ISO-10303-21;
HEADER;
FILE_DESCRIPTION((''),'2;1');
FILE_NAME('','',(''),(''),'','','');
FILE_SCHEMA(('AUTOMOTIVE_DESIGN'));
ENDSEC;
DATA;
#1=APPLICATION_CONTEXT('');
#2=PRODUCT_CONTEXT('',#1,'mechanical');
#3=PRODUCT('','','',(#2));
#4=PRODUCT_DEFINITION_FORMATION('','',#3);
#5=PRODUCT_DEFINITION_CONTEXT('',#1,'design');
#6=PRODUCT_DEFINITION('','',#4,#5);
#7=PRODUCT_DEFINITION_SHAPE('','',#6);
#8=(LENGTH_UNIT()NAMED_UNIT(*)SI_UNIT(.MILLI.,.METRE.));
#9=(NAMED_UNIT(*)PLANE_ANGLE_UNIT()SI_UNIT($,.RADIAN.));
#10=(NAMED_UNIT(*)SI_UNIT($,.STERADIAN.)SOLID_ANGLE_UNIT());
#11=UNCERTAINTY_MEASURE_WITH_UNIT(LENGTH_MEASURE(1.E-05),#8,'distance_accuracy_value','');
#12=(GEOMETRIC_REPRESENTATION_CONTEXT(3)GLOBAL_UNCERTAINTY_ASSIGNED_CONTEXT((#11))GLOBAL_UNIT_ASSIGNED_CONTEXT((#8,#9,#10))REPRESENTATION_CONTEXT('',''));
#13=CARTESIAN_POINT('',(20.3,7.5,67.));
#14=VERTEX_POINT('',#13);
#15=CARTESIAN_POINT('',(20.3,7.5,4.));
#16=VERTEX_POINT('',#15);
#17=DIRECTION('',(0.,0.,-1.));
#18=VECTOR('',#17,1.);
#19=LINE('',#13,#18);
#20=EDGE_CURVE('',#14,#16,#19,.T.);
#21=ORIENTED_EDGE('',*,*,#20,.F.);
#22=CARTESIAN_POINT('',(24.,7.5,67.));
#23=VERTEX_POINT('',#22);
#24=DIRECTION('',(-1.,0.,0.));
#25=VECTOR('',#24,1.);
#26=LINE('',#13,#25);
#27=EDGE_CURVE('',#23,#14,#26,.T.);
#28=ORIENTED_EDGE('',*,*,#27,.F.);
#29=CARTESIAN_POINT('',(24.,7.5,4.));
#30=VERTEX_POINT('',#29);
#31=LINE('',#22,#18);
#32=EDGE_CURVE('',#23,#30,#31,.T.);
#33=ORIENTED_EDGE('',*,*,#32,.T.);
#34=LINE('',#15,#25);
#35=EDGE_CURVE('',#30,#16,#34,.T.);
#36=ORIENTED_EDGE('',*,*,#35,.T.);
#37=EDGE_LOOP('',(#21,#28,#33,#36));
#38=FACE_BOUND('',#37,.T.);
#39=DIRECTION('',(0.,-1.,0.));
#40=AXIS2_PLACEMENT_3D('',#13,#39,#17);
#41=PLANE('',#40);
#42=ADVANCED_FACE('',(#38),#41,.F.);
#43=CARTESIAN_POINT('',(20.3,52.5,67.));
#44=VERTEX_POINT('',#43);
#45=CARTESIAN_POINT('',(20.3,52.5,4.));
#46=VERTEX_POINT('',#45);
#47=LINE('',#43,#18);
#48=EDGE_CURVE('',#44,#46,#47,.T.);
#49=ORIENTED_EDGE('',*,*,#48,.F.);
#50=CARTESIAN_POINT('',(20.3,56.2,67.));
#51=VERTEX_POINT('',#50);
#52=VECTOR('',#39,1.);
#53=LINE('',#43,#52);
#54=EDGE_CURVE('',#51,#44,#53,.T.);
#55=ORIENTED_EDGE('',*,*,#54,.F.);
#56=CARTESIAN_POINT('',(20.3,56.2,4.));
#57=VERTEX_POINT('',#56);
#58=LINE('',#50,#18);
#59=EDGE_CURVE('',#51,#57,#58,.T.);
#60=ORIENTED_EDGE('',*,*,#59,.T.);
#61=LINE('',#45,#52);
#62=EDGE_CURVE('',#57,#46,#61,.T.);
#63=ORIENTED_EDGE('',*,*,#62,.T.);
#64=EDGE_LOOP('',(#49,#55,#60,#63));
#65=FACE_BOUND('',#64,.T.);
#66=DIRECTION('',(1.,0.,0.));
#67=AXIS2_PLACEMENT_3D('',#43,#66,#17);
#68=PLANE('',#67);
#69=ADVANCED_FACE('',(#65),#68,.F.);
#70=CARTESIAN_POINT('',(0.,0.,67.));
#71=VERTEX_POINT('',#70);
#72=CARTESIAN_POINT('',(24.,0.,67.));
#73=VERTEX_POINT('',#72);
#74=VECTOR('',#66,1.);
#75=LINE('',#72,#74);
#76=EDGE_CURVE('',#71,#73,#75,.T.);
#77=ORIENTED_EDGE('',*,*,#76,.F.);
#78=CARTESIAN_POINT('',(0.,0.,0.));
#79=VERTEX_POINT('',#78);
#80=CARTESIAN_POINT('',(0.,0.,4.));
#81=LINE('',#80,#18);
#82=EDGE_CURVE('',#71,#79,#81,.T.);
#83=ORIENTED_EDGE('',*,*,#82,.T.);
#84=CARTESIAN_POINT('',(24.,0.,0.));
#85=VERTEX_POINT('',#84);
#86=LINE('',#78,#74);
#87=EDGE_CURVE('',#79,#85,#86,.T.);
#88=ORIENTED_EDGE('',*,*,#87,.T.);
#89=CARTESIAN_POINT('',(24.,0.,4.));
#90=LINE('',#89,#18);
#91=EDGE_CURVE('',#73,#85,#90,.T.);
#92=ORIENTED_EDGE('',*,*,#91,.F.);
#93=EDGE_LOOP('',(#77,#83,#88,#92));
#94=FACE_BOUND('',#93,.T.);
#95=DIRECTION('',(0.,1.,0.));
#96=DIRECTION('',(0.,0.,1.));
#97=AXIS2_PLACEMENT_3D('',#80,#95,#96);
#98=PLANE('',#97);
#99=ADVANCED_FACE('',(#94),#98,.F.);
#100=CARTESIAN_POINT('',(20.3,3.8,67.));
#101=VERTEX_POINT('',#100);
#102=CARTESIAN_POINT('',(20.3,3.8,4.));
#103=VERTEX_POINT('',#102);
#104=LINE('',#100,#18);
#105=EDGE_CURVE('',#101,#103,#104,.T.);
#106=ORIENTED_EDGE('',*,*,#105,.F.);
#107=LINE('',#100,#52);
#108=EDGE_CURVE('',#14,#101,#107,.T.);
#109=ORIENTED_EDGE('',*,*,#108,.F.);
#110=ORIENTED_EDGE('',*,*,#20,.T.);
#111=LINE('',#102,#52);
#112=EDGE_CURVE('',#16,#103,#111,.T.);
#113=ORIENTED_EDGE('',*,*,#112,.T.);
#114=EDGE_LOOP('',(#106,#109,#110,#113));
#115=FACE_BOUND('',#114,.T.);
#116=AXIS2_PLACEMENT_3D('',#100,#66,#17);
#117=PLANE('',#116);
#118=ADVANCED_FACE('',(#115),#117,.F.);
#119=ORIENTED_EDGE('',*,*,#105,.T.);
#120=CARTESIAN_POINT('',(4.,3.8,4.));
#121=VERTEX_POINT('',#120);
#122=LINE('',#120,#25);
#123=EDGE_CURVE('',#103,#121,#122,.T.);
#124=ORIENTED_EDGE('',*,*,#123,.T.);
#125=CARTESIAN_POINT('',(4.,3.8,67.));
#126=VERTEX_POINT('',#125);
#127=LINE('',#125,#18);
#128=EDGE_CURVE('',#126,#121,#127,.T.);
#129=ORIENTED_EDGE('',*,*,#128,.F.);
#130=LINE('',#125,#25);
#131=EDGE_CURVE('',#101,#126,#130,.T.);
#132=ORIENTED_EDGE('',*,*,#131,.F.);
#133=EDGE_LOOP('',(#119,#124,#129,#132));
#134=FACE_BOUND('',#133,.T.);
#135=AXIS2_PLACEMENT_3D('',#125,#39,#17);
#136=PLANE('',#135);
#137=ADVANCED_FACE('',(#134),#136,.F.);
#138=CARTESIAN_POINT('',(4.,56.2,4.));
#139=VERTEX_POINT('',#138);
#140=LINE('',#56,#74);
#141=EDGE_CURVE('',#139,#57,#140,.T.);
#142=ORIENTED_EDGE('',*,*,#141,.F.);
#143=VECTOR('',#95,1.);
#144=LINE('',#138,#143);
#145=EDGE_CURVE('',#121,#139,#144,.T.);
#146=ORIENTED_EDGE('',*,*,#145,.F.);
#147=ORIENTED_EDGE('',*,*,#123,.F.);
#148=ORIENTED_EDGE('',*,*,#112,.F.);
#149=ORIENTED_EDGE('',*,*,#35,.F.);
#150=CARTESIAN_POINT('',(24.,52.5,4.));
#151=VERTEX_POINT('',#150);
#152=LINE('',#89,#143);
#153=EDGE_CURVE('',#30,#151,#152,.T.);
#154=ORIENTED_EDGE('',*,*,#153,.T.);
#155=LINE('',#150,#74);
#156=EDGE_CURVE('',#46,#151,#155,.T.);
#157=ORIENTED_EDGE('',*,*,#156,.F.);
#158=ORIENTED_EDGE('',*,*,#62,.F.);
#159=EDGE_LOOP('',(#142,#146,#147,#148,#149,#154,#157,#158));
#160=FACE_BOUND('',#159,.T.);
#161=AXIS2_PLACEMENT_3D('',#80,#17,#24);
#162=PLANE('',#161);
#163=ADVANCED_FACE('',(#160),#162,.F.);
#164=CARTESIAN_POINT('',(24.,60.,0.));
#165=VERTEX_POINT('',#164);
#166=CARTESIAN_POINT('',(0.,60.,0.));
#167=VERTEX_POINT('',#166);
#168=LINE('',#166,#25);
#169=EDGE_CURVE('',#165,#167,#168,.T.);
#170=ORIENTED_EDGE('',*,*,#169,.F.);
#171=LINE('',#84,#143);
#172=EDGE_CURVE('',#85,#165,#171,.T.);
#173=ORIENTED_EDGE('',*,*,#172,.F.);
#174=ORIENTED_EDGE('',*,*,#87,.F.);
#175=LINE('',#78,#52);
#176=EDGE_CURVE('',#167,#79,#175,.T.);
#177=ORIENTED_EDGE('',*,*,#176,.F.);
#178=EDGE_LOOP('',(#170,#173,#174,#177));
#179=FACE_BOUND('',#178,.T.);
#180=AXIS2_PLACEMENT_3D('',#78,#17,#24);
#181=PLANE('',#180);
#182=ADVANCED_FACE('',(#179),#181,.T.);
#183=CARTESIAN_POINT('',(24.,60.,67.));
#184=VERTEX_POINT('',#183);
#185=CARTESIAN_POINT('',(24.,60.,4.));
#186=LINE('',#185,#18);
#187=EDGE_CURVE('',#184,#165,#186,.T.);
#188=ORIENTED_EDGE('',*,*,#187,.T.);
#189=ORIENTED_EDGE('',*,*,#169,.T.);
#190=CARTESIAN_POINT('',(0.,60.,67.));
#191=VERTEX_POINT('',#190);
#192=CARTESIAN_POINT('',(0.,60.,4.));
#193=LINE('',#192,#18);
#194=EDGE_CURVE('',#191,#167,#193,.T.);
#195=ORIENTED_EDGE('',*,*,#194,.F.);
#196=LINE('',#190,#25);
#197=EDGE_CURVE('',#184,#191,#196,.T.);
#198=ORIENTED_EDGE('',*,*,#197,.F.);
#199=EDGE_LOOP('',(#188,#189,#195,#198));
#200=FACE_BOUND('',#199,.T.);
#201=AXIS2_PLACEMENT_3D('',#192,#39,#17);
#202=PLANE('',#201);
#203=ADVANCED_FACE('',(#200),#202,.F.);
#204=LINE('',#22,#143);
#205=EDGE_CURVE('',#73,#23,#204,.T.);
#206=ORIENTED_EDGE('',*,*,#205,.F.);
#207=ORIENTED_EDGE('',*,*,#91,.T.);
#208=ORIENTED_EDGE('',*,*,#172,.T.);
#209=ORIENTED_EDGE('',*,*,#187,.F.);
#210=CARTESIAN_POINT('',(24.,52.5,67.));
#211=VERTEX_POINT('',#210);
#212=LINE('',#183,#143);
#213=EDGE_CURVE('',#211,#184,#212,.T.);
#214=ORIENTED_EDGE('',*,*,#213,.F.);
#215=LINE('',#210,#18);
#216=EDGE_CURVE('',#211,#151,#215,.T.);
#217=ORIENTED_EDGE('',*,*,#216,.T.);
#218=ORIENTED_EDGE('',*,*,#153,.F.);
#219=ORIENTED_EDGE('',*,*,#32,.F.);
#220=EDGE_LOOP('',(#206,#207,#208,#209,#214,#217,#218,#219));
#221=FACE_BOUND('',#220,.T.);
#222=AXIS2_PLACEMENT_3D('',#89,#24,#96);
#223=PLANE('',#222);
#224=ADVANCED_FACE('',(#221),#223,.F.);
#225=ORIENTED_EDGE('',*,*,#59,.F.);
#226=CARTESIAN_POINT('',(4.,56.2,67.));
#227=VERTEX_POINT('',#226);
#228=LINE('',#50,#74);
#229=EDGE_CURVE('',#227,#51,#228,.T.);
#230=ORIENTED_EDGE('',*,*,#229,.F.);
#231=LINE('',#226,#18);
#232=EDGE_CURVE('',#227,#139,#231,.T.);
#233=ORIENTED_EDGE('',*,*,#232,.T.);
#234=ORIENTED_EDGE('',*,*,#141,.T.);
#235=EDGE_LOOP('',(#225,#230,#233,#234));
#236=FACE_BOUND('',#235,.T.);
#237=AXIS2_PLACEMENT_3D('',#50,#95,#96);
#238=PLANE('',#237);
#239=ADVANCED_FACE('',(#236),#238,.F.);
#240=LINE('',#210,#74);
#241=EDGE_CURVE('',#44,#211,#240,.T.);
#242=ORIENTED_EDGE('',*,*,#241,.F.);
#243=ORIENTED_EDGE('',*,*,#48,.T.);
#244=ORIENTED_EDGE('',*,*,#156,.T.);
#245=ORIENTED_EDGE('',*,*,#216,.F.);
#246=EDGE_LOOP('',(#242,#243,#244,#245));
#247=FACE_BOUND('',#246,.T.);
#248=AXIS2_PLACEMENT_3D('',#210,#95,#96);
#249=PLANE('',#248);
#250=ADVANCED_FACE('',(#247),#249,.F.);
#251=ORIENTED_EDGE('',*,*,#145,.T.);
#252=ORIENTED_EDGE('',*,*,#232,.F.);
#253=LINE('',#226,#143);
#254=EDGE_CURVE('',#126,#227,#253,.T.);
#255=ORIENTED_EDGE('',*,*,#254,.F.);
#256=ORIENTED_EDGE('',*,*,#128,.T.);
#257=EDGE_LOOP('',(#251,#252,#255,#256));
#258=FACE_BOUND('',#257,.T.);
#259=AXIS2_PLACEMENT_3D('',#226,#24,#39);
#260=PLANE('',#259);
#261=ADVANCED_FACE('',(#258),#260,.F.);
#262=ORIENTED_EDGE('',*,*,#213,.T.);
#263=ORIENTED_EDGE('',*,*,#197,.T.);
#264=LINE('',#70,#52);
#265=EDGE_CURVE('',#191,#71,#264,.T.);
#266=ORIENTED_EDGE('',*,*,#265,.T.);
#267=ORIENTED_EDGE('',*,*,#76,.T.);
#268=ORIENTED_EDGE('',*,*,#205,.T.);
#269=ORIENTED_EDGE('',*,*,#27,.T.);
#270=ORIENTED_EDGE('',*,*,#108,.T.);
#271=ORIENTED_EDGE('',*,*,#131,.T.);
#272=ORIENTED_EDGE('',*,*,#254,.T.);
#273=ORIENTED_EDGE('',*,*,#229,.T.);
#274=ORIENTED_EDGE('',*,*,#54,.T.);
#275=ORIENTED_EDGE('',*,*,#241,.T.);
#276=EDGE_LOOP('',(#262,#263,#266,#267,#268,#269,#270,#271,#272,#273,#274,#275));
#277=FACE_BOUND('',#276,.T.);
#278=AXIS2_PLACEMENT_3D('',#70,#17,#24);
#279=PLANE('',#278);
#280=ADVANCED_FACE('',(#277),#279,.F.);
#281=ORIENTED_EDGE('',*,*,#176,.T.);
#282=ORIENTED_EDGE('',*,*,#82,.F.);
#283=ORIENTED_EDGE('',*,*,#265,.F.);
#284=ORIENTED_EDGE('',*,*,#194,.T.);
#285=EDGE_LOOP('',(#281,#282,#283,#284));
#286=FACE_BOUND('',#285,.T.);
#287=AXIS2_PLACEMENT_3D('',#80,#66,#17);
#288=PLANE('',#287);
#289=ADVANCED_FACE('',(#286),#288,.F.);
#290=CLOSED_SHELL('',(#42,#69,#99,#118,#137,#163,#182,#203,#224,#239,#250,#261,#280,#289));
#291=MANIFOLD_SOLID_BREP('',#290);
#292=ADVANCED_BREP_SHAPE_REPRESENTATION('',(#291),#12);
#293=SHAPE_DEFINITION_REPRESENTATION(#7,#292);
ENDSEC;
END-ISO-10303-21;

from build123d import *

# Parameters (mm, degrees)
ESQUISSE1_W        = 24
ESQUISSE1_H        = 60
BOSS_EXTRU_1_DEPTH = 4
BOSS_EXTRU_2_DEPTH = 63


with BuildPart() as part:
    # Esquisse1 → Boss.-Extru.1 (new body)
    with BuildSketch(Plane.XY):
        with Locations((12, 30)):
            Rectangle(ESQUISSE1_W, ESQUISSE1_H)
    extrude(amount=BOSS_EXTRU_1_DEPTH)

    # Esquisse2 → Boss.-Extru.2 (add)
    with BuildSketch(Plane.XY.offset(4)):
        Polygon((24, 52.5), (20.3, 52.5), (20.3, 56.2), (4, 56.2), (4, 3.8), (20.3, 3.8), (20.3, 7.5), (24, 7.5), (24, 0), (0, 0), (0, 60), (24, 60), align=None)
    extrude(amount=BOSS_EXTRU_2_DEPTH)


solid = part.part
